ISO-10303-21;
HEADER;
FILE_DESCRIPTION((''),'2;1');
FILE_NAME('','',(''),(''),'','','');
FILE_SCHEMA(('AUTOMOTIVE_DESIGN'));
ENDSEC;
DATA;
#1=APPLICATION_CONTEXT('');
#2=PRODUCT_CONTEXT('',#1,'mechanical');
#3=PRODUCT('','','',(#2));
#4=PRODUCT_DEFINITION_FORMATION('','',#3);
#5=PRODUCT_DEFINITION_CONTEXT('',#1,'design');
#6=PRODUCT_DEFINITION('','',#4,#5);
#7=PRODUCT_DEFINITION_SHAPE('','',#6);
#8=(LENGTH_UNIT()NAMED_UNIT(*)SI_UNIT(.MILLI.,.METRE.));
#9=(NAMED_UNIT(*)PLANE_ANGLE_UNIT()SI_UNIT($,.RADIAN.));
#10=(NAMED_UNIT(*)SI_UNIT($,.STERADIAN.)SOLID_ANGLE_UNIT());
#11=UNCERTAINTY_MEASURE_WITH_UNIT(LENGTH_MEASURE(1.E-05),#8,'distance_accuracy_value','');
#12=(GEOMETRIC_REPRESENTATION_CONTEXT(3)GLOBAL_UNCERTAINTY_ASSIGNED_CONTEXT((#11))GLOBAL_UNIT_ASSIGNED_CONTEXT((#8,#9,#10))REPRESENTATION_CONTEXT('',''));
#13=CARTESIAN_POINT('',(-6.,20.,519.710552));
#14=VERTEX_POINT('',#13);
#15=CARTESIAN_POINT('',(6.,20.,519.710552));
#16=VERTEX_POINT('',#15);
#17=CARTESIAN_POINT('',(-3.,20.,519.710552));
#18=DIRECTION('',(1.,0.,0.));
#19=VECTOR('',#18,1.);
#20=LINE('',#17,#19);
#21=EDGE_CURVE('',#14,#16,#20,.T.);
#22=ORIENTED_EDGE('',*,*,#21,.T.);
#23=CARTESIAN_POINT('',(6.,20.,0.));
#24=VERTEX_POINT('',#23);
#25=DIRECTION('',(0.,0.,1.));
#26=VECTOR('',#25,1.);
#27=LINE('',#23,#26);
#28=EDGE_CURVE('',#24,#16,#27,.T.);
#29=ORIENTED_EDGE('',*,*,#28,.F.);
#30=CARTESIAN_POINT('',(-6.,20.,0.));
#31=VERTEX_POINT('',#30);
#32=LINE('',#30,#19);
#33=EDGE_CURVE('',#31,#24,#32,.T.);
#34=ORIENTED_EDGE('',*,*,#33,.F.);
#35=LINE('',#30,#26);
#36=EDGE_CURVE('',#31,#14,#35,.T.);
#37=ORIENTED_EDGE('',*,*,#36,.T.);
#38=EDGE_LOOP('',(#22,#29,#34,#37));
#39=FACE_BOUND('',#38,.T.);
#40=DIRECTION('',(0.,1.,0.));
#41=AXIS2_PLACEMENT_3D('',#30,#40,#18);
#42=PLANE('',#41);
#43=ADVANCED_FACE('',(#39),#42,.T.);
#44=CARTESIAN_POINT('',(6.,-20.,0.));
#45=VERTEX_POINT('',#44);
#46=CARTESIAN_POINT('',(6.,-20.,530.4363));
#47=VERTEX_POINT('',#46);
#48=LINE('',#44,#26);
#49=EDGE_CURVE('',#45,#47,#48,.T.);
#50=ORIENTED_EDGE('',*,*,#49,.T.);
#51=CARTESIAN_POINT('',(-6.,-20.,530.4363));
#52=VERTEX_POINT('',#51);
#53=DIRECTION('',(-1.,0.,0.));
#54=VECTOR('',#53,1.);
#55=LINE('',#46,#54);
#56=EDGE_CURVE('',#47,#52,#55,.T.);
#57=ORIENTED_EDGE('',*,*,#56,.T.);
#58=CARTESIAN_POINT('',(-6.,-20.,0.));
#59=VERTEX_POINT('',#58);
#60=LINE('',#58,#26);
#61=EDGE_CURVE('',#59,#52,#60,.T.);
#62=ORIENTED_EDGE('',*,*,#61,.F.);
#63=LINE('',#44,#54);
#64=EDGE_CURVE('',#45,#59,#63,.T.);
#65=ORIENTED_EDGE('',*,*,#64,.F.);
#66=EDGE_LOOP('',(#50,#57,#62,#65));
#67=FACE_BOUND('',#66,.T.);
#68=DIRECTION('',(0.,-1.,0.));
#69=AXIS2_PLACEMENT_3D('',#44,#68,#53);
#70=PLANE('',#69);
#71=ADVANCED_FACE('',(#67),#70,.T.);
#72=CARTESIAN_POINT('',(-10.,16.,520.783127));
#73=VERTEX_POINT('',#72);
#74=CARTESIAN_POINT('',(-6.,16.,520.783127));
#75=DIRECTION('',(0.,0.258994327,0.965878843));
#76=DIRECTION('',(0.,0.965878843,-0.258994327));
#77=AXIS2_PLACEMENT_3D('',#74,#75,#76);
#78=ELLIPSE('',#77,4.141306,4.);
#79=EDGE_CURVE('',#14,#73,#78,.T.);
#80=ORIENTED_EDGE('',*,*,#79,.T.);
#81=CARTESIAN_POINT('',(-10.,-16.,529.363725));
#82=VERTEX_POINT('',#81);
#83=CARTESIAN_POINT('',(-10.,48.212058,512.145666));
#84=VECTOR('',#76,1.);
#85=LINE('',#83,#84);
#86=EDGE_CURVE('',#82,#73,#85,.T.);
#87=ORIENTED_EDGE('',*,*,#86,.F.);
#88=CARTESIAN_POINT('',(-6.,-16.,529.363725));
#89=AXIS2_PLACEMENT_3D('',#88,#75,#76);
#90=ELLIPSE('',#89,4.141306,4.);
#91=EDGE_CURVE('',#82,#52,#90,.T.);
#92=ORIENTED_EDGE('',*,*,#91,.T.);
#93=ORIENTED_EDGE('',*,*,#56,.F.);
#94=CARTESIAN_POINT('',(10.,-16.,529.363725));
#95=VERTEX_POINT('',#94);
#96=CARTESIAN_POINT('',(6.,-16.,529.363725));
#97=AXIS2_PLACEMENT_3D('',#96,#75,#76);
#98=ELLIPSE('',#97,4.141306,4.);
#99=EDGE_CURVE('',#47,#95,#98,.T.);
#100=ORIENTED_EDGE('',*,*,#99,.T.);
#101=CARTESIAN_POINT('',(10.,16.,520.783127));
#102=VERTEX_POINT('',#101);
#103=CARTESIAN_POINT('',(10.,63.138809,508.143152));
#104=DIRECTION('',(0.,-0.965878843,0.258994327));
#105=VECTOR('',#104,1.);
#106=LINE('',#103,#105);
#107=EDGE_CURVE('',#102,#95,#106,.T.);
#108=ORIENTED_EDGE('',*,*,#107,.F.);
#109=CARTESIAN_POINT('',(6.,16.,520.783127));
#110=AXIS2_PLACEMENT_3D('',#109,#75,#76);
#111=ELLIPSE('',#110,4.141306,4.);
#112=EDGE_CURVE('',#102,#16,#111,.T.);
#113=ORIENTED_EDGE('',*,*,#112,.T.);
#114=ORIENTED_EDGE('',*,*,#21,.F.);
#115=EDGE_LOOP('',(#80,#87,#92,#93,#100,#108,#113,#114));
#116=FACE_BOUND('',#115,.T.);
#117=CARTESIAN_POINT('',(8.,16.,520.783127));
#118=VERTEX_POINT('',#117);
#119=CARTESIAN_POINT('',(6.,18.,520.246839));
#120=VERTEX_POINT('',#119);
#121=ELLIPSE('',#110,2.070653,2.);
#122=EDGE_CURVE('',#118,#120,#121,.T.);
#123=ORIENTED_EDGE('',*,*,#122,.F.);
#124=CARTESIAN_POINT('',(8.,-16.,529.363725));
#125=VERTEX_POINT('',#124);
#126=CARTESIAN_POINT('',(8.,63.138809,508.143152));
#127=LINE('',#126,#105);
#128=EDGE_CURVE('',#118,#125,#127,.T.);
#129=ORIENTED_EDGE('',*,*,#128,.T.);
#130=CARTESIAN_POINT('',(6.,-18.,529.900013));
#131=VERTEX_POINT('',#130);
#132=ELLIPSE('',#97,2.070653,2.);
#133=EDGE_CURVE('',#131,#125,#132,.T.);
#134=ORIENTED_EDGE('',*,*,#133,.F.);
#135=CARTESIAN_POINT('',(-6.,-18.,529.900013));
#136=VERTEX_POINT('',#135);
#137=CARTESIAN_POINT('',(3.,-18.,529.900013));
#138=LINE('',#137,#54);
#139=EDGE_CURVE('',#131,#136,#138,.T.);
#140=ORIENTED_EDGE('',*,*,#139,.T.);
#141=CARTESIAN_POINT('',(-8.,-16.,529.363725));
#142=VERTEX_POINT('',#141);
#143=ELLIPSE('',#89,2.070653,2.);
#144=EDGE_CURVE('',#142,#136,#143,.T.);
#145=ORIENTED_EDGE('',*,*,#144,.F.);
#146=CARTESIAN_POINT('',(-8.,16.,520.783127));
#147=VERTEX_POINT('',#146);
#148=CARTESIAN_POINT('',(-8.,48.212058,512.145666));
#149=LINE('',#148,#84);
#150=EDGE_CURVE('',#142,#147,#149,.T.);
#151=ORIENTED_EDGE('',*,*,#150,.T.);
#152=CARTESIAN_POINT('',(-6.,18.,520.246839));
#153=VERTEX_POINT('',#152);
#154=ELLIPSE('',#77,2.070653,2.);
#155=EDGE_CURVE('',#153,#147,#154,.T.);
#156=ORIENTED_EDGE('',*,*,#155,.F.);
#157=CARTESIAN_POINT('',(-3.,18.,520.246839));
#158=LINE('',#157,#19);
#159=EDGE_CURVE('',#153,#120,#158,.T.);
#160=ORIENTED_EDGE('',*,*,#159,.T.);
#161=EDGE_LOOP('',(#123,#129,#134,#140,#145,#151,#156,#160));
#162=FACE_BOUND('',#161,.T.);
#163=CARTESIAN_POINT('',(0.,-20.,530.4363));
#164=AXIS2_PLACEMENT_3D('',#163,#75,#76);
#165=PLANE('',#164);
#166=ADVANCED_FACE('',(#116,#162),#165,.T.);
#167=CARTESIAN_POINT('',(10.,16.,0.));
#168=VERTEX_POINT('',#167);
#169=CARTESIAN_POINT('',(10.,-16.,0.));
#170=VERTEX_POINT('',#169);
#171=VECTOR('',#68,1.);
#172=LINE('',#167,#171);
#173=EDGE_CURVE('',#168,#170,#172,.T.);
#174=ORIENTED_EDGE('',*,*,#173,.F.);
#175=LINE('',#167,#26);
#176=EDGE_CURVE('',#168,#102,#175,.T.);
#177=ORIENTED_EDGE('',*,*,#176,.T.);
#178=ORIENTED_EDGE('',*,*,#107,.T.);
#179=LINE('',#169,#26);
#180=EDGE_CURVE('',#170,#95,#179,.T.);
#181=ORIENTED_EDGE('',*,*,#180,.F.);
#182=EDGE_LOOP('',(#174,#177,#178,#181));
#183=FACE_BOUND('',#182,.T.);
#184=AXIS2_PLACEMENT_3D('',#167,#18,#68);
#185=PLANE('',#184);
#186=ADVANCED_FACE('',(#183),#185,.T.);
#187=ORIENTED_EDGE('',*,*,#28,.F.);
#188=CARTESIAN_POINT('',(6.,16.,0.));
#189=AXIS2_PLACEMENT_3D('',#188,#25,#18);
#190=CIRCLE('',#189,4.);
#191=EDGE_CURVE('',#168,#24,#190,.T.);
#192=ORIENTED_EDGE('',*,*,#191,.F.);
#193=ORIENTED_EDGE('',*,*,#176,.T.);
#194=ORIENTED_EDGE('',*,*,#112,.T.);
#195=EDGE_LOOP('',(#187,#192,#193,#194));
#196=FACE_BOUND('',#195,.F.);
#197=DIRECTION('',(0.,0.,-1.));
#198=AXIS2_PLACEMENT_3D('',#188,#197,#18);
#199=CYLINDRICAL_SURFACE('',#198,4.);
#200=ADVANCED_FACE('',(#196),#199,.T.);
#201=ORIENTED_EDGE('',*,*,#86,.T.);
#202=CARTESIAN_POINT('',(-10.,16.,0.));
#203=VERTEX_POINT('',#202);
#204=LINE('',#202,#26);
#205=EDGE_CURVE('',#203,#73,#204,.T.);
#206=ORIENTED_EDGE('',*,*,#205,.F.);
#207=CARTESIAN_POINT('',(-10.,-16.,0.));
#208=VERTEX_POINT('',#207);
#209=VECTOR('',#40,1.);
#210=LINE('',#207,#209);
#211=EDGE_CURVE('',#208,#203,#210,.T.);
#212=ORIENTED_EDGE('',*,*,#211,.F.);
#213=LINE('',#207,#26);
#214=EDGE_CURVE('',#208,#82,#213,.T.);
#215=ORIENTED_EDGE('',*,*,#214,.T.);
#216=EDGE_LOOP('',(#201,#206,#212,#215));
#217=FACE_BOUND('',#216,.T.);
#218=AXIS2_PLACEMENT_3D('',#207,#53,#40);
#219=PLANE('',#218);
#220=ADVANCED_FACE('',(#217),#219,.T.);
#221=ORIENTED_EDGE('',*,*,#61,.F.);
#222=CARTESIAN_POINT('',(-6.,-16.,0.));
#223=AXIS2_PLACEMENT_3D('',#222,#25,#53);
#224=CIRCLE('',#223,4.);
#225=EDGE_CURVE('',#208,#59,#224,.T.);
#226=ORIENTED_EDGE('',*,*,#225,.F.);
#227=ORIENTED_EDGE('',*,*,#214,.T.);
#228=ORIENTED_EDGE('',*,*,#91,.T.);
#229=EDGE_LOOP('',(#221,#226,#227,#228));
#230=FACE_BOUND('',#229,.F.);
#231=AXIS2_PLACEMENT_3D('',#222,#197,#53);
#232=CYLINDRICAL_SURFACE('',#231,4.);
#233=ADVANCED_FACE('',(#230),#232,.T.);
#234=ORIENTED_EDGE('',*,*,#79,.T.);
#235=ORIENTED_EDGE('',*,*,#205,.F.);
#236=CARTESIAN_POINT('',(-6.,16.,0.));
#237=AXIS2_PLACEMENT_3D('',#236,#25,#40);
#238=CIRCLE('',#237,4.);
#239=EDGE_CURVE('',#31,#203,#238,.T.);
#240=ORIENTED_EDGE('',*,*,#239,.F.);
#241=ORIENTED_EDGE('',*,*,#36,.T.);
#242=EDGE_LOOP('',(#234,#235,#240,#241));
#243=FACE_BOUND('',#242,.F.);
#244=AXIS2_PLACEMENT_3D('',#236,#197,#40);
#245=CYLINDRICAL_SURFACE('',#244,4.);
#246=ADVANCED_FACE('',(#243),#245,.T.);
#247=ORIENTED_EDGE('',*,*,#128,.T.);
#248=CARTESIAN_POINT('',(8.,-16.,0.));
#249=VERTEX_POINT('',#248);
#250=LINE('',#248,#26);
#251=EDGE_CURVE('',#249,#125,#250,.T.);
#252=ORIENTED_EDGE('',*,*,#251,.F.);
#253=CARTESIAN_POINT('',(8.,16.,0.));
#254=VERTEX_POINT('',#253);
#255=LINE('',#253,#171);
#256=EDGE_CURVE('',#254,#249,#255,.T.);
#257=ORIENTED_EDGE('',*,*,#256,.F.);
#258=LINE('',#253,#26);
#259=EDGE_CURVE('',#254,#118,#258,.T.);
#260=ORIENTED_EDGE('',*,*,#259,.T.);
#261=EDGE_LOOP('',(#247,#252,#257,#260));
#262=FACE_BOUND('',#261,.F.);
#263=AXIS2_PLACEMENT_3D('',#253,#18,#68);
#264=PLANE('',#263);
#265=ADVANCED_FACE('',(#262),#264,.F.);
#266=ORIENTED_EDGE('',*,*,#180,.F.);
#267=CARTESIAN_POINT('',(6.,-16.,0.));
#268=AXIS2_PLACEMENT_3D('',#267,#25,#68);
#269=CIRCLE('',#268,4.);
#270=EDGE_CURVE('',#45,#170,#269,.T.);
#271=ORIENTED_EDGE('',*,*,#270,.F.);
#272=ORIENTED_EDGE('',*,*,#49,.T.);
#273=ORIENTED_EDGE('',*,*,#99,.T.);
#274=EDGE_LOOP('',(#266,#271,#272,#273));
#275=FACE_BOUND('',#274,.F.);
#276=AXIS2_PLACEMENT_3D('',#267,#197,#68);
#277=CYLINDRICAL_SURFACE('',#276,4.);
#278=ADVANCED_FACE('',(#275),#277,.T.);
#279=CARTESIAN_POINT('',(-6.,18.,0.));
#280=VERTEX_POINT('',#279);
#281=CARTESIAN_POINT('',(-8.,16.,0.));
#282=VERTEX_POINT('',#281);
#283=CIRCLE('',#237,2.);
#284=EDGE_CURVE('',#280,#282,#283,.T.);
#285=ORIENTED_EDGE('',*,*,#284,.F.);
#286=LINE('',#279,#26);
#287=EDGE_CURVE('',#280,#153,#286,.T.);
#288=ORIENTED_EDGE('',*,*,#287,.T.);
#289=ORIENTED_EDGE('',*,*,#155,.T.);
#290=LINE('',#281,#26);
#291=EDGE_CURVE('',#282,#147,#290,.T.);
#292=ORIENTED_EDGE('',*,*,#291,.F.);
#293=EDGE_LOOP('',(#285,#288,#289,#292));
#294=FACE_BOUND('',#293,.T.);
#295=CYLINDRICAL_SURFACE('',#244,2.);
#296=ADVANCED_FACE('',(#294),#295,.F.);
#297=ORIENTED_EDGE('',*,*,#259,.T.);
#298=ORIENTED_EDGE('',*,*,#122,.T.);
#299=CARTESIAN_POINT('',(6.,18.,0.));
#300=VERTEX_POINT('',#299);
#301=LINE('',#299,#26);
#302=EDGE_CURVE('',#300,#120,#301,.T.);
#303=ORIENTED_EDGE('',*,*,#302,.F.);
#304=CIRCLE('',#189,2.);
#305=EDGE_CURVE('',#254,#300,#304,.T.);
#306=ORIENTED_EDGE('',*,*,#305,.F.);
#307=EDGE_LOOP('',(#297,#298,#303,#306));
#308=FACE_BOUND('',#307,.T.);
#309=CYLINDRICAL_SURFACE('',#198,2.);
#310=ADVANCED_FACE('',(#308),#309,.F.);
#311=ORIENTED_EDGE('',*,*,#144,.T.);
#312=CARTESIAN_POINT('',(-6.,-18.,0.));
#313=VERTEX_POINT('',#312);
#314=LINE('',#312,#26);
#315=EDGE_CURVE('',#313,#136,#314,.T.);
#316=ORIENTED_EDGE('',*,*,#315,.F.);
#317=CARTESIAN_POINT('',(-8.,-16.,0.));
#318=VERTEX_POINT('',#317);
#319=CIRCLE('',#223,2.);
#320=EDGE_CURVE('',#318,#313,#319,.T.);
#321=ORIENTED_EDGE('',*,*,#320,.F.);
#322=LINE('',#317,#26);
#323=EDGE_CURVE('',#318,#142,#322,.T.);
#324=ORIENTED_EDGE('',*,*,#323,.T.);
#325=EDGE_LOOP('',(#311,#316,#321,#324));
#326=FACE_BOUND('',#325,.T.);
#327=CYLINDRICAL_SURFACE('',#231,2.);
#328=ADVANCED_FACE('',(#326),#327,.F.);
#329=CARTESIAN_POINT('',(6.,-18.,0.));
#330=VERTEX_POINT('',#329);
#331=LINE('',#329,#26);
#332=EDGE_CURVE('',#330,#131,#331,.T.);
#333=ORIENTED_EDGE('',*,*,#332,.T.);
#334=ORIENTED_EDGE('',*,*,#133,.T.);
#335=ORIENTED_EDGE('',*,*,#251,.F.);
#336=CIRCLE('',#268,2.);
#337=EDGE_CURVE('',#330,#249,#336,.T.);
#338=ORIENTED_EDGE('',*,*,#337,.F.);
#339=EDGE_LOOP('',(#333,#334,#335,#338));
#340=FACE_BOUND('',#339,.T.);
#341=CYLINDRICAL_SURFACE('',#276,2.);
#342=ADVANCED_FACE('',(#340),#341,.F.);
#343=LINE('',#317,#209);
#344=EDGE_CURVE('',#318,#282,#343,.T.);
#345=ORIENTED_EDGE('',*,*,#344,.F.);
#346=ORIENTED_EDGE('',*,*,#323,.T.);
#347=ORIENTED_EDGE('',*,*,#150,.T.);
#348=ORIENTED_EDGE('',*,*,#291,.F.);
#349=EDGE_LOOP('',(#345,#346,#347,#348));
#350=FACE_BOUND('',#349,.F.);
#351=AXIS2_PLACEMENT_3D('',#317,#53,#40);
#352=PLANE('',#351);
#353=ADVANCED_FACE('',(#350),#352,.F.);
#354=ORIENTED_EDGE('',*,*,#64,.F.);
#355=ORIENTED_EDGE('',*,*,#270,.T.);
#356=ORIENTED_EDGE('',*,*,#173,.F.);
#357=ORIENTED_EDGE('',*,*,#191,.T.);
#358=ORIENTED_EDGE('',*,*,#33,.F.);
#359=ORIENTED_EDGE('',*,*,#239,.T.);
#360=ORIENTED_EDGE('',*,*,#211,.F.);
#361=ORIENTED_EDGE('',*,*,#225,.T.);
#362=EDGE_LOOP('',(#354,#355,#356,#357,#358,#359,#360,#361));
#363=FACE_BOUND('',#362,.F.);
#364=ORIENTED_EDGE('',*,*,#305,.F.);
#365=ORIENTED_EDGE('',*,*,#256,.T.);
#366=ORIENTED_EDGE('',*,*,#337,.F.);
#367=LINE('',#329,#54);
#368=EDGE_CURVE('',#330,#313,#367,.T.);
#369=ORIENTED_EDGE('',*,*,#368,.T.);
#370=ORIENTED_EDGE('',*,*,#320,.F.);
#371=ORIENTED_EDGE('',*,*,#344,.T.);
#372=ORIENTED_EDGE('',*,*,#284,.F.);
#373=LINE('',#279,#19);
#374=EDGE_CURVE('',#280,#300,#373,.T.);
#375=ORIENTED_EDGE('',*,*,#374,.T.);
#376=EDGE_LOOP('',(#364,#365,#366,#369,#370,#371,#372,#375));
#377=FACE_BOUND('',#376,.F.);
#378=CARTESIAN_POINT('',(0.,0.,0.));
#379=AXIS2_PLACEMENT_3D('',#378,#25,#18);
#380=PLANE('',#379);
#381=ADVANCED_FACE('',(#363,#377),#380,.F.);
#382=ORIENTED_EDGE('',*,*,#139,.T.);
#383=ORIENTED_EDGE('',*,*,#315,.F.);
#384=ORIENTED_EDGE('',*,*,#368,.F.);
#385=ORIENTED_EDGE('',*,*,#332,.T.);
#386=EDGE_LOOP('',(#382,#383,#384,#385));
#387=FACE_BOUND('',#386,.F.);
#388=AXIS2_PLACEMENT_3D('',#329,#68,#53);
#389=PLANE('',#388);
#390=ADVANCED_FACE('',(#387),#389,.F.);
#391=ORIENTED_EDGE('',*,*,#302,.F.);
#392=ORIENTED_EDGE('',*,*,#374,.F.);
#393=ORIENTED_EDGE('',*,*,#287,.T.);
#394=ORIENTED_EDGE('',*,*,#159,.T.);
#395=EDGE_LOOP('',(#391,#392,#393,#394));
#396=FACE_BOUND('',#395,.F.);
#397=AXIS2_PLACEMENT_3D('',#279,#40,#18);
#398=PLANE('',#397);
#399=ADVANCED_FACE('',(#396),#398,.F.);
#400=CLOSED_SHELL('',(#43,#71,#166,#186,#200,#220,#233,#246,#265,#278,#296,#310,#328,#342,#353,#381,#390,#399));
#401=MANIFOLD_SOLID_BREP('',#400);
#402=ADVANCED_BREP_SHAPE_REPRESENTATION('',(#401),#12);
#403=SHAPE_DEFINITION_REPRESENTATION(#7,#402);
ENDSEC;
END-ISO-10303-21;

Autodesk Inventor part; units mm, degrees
ref_plane "Начальная плоскость" through (0, 0, 0) normal (0, 0, 1) x (1, 0, 0)
ref_plane "Конечная плоскость" through (0, 0, 530.4363) normal (0, 0, 1) x (1, 0, 0)
sketch "Эскиз" plane through (0, 0, 0) normal (0, 0, 1) x (1, 0, 0)
  line L0 (-10, -16) -> (-10, 16)
  line L1 (-6, 20) -> (6, 20)
  line L2 (10, 16) -> (10, -16)
  line L3 (6, -20) -> (-6, -20)
  arc A0 (-10, -16) -> (-6, -20) centre (-6, -16) ccw
  arc A1 (-6, 20) -> (-10, 16) centre (-6, 16) ccw
  arc A2 (10, 16) -> (6, 20) centre (6, 16) ccw
  arc A3 (6, -20) -> (10, -16) centre (6, -16) ccw
  arc A4 (-6, 18) -> (-8, 16) centre (-6, 16) ccw
  line L4 (-6, 18) -> (6, 18)
  arc A5 (8, 16) -> (6, 18) centre (6, 16) ccw
  line L5 (8, 16) -> (8, -16)
  arc A6 (6, -18) -> (8, -16) centre (6, -16) ccw
  line L6 (6, -18) -> (-6, -18)
  arc A7 (-8, -16) -> (-6, -18) centre (-6, -16) ccw
  line L7 (-8, -16) -> (-8, 16)
  line L8 (0, 29.1598) -> (0, -29.1598) construction
  line L9 (-15.1598, 0) -> (15.1598, 0) construction
  dimension "d7" = 4
  dimension "d10" = 40
  dimension "d11" = 20
  dimension "d12" = 2
  dimension "d15" = 20
  dimension "d16" = 10
extrude "Тело" add sketch "Эскиз" along normal up to surface (530.4363 mm away) from surface at 0
sketch "Sketch3" plane through (0, 0, 0) normal (0, 0, 1) x (1, 0, 0)
  line L0 (0, 0) -> (10, 0)
ref_plane "Work Plane3" through (0, 0, 0) normal (0, -1, 0) x (1, 0, 0)
ref_plane "РабПлоскость4" through (0, -20, 530.4363) normal (0, 0.259, 0.9659) x (1, 0, 0)
split "Разделение1" plane through (0, -20, 530.4363) removes the side toward (0, 0.259, 0.9659)
sketch "Sketch4" plane through (0, 0, 0) normal (0, -1, 0) x (1, 0, 0)
  line L0 (-2, 0) -> (12, 0) projected
  line L1 (-2, 530.4363) -> (12, 530.4363) projected
  dimension "d18" = 530.4363
equation "\"d7\" = G_IR"
equation "\"d10\" = G_H"
equation "\"d11\" = G_W"
equation "\"d12\" = G_T"
equation "\"d15\" = 0.5 * d10"
equation "\"d16\" = 0.5 * d11"
equation "\"d3\" = G_L"
equation "\"G_W\" = 20"
equation "\"G_H\" = 40"
equation "\"G_T\" = 2"
equation "\"G_IR\" = 4"
equation "\"G_L\" = d18"
equation "\"G_OFFSET_START\" = 0"
equation "\"G_OFFSET_END\" = 10.72484"
equation "\"d14\" = G_OFFSET_END + B_L"
equation "\"B_L\" = 519.71146"
properties part number "DIN EN 10219-2 - 40 x 20 x 2  - 530,44" material "Нержавеющая сталь"
